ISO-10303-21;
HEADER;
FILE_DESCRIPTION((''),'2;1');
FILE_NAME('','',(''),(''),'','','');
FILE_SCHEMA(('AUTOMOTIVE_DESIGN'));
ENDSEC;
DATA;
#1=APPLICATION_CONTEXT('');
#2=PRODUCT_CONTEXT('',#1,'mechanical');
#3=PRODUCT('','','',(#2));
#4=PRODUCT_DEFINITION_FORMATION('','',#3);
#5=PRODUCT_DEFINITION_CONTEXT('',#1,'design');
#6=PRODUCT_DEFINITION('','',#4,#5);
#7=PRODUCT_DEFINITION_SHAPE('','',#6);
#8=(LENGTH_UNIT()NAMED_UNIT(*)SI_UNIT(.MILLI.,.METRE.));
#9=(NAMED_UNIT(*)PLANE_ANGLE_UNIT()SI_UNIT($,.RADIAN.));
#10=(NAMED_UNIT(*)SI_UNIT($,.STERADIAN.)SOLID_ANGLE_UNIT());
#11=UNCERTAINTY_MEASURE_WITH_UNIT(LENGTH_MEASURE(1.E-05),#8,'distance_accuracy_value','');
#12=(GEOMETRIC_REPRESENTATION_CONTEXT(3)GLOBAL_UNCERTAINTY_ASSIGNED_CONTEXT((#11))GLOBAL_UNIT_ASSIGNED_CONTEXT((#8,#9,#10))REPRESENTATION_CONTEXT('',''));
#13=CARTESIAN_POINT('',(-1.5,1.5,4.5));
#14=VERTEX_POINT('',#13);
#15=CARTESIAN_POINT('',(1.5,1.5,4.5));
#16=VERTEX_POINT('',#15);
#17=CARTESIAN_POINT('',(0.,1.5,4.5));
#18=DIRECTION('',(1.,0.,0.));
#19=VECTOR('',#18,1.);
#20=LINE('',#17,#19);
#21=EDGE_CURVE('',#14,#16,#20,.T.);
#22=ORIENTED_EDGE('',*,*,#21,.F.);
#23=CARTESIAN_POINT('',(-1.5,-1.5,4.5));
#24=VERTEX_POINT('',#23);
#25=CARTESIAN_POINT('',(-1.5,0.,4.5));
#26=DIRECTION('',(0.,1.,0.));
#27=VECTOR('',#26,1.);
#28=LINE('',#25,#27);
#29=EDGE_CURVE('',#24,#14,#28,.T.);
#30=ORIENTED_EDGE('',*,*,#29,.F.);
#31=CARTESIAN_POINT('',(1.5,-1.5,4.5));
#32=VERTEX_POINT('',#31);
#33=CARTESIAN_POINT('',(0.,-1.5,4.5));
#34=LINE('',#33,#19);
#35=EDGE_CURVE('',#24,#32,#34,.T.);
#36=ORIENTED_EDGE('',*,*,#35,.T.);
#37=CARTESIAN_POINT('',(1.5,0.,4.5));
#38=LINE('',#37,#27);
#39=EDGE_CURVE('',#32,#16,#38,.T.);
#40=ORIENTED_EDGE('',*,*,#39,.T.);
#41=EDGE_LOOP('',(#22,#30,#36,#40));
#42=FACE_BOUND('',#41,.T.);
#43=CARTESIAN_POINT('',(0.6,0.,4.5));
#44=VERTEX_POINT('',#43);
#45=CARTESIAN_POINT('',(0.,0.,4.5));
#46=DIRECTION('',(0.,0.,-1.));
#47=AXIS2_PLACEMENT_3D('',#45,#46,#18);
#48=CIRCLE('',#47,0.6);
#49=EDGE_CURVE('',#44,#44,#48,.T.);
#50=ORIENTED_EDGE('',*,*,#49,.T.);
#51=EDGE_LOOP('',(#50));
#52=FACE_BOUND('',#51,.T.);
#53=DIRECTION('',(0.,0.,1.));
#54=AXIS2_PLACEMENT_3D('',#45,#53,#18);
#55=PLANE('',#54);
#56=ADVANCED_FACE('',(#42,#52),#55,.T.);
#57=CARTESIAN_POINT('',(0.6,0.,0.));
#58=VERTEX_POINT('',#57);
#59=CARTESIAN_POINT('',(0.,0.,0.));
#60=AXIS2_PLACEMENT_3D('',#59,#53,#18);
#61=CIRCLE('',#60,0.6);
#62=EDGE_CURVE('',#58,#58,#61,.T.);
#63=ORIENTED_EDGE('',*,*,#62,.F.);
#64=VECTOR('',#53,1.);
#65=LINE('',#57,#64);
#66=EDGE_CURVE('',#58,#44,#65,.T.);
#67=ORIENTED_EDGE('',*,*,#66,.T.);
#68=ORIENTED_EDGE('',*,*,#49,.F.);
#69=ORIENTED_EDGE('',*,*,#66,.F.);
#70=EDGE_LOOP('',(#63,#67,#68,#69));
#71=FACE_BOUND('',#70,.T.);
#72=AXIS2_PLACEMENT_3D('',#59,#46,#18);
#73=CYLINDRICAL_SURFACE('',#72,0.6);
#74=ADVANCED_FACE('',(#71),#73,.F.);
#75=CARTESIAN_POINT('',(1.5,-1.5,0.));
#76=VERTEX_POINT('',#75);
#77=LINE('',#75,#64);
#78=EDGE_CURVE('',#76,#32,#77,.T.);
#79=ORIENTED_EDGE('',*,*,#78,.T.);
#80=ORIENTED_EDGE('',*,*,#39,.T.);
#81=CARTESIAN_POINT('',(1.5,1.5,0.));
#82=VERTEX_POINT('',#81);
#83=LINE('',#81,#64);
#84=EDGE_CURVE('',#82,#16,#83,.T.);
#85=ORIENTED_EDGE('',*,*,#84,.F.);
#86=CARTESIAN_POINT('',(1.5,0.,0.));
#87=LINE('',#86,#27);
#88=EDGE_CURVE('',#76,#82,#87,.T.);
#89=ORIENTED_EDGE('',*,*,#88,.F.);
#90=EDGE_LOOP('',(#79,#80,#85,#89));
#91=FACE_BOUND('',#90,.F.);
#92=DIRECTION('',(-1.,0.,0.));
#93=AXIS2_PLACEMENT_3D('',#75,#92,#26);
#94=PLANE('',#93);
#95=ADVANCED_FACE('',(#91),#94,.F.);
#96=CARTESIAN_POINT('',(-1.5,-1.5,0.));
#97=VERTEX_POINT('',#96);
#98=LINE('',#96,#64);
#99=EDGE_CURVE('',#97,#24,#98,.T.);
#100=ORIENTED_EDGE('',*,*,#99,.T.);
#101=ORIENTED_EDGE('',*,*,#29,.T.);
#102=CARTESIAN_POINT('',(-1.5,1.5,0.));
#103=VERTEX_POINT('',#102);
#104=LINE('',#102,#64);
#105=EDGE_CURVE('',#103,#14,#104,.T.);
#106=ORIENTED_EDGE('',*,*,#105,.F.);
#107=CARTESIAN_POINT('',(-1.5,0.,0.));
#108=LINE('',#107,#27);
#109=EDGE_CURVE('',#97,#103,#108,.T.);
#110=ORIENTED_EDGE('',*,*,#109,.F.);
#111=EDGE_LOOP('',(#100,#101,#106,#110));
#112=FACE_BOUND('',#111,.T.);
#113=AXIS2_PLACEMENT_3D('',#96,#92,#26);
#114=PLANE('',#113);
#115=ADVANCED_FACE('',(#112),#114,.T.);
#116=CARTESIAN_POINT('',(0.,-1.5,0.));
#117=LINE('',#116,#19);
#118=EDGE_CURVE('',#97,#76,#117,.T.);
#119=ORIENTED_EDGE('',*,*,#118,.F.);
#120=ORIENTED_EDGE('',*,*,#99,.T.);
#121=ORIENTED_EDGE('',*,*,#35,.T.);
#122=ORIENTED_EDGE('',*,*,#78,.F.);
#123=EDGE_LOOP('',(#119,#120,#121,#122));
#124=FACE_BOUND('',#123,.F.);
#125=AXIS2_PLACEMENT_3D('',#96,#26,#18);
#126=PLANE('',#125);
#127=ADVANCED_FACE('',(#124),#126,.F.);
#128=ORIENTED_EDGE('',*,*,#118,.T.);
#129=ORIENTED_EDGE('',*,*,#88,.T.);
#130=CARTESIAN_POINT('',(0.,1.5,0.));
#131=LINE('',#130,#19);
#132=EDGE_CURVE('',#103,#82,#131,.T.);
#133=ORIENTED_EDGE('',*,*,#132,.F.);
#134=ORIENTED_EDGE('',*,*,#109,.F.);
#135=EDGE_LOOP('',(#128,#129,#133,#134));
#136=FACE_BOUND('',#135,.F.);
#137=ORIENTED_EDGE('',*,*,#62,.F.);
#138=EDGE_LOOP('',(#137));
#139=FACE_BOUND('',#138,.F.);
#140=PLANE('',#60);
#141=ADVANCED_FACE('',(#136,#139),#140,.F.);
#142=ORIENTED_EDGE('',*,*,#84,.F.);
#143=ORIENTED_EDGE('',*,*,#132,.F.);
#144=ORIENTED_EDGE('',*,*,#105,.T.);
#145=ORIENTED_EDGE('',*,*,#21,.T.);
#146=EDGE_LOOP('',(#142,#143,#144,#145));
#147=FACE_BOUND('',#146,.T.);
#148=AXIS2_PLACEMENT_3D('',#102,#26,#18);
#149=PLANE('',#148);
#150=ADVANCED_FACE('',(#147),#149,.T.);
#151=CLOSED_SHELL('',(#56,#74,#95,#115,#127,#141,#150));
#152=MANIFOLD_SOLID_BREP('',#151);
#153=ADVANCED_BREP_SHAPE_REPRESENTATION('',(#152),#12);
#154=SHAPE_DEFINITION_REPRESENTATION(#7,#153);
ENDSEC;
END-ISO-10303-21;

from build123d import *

# Parameters (mm, degrees)
CYLINDER_R     = 0.6
CYLINDER_DEPTH = 10
BOX008_W       = 3
BOX008_H       = 3
BOX008_DEPTH   = 4.5


with BuildPart() as hole:
    # Cylinder → Cylinder (new body)
    with BuildSketch(Plane.XY):
        Circle(CYLINDER_R)
    extrude(amount=CYLINDER_DEPTH)


with BuildPart() as stand_hole_cut:
    # Box008 → Box008 (new body)
    with BuildSketch(Plane(origin=(-1.5, -1.5, 0), x_dir=(1, 0, 0), z_dir=(0, 0, 1))):
        with Locations((1.5, 1.5)):
            Rectangle(BOX008_W, BOX008_H)
    extrude(amount=BOX008_DEPTH)

    # Cut003002: cut hole
    add(hole.part, mode=Mode.SUBTRACT)


solid = stand_hole_cut.part
